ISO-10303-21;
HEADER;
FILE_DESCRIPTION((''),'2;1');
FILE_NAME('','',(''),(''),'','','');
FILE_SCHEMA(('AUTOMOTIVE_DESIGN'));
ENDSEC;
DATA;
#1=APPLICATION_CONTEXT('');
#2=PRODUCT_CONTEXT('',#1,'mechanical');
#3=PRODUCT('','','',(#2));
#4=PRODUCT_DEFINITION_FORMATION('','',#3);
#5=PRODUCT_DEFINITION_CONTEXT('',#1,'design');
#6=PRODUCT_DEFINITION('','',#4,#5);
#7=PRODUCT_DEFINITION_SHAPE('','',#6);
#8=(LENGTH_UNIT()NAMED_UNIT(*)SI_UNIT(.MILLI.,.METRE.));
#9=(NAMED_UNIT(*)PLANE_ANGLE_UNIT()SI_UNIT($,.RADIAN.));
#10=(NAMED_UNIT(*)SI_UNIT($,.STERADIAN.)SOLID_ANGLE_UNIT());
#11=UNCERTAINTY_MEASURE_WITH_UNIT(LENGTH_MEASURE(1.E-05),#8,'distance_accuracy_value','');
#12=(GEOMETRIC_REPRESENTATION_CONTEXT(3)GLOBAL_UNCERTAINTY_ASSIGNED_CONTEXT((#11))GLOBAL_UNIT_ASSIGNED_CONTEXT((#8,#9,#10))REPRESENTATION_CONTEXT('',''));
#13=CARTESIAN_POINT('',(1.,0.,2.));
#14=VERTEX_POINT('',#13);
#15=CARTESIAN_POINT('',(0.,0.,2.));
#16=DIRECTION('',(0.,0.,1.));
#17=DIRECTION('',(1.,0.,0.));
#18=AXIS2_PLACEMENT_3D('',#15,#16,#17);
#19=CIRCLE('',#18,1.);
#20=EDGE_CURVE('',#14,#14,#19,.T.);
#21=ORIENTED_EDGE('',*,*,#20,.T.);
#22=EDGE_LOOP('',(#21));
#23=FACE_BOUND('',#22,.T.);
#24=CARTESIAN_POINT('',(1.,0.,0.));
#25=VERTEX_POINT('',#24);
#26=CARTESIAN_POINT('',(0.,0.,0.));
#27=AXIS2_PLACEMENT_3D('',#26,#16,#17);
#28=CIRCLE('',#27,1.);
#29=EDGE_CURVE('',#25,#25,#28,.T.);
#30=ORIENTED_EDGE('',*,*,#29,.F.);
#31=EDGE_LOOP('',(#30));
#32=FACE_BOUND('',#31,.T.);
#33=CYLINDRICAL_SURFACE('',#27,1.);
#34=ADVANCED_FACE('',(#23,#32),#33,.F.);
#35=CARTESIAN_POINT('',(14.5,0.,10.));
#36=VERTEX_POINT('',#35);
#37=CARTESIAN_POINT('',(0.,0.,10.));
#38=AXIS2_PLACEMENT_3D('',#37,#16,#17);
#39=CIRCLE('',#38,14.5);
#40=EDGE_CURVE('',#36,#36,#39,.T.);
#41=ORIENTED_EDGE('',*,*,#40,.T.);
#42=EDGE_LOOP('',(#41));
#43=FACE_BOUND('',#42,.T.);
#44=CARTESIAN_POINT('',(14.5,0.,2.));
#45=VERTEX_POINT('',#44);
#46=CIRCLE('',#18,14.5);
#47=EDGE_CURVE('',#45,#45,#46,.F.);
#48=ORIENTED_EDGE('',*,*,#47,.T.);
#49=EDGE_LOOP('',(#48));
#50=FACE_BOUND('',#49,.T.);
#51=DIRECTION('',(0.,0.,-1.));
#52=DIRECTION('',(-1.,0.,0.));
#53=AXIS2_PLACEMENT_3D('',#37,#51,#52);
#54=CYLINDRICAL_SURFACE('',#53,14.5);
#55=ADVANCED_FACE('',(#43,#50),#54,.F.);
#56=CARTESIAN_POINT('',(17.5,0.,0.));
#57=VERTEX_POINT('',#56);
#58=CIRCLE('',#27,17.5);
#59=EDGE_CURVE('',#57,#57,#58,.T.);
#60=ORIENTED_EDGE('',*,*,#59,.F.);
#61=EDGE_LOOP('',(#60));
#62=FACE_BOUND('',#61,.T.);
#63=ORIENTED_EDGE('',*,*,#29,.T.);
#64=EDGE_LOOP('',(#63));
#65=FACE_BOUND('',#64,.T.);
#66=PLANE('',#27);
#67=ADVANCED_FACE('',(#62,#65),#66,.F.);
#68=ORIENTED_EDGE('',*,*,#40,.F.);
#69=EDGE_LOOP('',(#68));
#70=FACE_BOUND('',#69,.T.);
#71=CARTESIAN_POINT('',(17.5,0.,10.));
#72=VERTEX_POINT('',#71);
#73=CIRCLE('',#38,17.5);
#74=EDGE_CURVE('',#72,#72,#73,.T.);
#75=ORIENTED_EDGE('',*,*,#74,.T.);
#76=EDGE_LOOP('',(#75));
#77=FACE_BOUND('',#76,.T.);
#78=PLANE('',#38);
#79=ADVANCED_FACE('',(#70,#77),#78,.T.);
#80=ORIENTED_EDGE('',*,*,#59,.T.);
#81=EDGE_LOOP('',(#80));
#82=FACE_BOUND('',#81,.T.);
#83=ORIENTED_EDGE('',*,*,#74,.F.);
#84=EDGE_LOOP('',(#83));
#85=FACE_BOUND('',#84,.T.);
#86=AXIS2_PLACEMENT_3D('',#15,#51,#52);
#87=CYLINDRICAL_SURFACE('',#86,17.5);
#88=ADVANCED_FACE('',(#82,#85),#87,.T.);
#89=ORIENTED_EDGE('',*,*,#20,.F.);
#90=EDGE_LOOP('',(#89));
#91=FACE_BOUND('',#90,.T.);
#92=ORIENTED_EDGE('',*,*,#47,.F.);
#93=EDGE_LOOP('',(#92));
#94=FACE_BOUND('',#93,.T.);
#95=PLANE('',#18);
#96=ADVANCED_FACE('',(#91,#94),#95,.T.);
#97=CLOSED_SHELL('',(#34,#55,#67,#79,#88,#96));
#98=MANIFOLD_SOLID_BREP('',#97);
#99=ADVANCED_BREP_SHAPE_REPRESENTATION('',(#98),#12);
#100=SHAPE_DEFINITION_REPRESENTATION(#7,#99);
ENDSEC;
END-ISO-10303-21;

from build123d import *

# Parameters (mm, degrees)
SKETCH1_R           = 17.5
BOSS_EXTRUDE1_DEPTH = 2
SKETCH2_R           = 17.5
SKETCH2_R_2         = 14.5
BOSS_EXTRUDE2_DEPTH = 8
SKETCH3_R           = 1
CUT_EXTRUDE1_DEPTH  = 27.009613607


with BuildPart() as part:
    # Sketch1 → Boss-Extrude1 (new body)
    with BuildSketch(Plane.XY):
        Circle(SKETCH1_R)
    extrude(amount=BOSS_EXTRUDE1_DEPTH)

    # Sketch2 → Boss-Extrude2 (add)
    with BuildSketch(Plane.XY.offset(2)):
        Circle(SKETCH2_R)
        Circle(SKETCH2_R_2, mode=Mode.SUBTRACT)
    extrude(amount=BOSS_EXTRUDE2_DEPTH)

    # Sketch3 → Cut-Extrude1 (cut, through all)
    with BuildSketch(Plane.XY.offset(2)):
        Circle(SKETCH3_R)
    extrude(amount=-CUT_EXTRUDE1_DEPTH, mode=Mode.SUBTRACT)


solid = part.part
